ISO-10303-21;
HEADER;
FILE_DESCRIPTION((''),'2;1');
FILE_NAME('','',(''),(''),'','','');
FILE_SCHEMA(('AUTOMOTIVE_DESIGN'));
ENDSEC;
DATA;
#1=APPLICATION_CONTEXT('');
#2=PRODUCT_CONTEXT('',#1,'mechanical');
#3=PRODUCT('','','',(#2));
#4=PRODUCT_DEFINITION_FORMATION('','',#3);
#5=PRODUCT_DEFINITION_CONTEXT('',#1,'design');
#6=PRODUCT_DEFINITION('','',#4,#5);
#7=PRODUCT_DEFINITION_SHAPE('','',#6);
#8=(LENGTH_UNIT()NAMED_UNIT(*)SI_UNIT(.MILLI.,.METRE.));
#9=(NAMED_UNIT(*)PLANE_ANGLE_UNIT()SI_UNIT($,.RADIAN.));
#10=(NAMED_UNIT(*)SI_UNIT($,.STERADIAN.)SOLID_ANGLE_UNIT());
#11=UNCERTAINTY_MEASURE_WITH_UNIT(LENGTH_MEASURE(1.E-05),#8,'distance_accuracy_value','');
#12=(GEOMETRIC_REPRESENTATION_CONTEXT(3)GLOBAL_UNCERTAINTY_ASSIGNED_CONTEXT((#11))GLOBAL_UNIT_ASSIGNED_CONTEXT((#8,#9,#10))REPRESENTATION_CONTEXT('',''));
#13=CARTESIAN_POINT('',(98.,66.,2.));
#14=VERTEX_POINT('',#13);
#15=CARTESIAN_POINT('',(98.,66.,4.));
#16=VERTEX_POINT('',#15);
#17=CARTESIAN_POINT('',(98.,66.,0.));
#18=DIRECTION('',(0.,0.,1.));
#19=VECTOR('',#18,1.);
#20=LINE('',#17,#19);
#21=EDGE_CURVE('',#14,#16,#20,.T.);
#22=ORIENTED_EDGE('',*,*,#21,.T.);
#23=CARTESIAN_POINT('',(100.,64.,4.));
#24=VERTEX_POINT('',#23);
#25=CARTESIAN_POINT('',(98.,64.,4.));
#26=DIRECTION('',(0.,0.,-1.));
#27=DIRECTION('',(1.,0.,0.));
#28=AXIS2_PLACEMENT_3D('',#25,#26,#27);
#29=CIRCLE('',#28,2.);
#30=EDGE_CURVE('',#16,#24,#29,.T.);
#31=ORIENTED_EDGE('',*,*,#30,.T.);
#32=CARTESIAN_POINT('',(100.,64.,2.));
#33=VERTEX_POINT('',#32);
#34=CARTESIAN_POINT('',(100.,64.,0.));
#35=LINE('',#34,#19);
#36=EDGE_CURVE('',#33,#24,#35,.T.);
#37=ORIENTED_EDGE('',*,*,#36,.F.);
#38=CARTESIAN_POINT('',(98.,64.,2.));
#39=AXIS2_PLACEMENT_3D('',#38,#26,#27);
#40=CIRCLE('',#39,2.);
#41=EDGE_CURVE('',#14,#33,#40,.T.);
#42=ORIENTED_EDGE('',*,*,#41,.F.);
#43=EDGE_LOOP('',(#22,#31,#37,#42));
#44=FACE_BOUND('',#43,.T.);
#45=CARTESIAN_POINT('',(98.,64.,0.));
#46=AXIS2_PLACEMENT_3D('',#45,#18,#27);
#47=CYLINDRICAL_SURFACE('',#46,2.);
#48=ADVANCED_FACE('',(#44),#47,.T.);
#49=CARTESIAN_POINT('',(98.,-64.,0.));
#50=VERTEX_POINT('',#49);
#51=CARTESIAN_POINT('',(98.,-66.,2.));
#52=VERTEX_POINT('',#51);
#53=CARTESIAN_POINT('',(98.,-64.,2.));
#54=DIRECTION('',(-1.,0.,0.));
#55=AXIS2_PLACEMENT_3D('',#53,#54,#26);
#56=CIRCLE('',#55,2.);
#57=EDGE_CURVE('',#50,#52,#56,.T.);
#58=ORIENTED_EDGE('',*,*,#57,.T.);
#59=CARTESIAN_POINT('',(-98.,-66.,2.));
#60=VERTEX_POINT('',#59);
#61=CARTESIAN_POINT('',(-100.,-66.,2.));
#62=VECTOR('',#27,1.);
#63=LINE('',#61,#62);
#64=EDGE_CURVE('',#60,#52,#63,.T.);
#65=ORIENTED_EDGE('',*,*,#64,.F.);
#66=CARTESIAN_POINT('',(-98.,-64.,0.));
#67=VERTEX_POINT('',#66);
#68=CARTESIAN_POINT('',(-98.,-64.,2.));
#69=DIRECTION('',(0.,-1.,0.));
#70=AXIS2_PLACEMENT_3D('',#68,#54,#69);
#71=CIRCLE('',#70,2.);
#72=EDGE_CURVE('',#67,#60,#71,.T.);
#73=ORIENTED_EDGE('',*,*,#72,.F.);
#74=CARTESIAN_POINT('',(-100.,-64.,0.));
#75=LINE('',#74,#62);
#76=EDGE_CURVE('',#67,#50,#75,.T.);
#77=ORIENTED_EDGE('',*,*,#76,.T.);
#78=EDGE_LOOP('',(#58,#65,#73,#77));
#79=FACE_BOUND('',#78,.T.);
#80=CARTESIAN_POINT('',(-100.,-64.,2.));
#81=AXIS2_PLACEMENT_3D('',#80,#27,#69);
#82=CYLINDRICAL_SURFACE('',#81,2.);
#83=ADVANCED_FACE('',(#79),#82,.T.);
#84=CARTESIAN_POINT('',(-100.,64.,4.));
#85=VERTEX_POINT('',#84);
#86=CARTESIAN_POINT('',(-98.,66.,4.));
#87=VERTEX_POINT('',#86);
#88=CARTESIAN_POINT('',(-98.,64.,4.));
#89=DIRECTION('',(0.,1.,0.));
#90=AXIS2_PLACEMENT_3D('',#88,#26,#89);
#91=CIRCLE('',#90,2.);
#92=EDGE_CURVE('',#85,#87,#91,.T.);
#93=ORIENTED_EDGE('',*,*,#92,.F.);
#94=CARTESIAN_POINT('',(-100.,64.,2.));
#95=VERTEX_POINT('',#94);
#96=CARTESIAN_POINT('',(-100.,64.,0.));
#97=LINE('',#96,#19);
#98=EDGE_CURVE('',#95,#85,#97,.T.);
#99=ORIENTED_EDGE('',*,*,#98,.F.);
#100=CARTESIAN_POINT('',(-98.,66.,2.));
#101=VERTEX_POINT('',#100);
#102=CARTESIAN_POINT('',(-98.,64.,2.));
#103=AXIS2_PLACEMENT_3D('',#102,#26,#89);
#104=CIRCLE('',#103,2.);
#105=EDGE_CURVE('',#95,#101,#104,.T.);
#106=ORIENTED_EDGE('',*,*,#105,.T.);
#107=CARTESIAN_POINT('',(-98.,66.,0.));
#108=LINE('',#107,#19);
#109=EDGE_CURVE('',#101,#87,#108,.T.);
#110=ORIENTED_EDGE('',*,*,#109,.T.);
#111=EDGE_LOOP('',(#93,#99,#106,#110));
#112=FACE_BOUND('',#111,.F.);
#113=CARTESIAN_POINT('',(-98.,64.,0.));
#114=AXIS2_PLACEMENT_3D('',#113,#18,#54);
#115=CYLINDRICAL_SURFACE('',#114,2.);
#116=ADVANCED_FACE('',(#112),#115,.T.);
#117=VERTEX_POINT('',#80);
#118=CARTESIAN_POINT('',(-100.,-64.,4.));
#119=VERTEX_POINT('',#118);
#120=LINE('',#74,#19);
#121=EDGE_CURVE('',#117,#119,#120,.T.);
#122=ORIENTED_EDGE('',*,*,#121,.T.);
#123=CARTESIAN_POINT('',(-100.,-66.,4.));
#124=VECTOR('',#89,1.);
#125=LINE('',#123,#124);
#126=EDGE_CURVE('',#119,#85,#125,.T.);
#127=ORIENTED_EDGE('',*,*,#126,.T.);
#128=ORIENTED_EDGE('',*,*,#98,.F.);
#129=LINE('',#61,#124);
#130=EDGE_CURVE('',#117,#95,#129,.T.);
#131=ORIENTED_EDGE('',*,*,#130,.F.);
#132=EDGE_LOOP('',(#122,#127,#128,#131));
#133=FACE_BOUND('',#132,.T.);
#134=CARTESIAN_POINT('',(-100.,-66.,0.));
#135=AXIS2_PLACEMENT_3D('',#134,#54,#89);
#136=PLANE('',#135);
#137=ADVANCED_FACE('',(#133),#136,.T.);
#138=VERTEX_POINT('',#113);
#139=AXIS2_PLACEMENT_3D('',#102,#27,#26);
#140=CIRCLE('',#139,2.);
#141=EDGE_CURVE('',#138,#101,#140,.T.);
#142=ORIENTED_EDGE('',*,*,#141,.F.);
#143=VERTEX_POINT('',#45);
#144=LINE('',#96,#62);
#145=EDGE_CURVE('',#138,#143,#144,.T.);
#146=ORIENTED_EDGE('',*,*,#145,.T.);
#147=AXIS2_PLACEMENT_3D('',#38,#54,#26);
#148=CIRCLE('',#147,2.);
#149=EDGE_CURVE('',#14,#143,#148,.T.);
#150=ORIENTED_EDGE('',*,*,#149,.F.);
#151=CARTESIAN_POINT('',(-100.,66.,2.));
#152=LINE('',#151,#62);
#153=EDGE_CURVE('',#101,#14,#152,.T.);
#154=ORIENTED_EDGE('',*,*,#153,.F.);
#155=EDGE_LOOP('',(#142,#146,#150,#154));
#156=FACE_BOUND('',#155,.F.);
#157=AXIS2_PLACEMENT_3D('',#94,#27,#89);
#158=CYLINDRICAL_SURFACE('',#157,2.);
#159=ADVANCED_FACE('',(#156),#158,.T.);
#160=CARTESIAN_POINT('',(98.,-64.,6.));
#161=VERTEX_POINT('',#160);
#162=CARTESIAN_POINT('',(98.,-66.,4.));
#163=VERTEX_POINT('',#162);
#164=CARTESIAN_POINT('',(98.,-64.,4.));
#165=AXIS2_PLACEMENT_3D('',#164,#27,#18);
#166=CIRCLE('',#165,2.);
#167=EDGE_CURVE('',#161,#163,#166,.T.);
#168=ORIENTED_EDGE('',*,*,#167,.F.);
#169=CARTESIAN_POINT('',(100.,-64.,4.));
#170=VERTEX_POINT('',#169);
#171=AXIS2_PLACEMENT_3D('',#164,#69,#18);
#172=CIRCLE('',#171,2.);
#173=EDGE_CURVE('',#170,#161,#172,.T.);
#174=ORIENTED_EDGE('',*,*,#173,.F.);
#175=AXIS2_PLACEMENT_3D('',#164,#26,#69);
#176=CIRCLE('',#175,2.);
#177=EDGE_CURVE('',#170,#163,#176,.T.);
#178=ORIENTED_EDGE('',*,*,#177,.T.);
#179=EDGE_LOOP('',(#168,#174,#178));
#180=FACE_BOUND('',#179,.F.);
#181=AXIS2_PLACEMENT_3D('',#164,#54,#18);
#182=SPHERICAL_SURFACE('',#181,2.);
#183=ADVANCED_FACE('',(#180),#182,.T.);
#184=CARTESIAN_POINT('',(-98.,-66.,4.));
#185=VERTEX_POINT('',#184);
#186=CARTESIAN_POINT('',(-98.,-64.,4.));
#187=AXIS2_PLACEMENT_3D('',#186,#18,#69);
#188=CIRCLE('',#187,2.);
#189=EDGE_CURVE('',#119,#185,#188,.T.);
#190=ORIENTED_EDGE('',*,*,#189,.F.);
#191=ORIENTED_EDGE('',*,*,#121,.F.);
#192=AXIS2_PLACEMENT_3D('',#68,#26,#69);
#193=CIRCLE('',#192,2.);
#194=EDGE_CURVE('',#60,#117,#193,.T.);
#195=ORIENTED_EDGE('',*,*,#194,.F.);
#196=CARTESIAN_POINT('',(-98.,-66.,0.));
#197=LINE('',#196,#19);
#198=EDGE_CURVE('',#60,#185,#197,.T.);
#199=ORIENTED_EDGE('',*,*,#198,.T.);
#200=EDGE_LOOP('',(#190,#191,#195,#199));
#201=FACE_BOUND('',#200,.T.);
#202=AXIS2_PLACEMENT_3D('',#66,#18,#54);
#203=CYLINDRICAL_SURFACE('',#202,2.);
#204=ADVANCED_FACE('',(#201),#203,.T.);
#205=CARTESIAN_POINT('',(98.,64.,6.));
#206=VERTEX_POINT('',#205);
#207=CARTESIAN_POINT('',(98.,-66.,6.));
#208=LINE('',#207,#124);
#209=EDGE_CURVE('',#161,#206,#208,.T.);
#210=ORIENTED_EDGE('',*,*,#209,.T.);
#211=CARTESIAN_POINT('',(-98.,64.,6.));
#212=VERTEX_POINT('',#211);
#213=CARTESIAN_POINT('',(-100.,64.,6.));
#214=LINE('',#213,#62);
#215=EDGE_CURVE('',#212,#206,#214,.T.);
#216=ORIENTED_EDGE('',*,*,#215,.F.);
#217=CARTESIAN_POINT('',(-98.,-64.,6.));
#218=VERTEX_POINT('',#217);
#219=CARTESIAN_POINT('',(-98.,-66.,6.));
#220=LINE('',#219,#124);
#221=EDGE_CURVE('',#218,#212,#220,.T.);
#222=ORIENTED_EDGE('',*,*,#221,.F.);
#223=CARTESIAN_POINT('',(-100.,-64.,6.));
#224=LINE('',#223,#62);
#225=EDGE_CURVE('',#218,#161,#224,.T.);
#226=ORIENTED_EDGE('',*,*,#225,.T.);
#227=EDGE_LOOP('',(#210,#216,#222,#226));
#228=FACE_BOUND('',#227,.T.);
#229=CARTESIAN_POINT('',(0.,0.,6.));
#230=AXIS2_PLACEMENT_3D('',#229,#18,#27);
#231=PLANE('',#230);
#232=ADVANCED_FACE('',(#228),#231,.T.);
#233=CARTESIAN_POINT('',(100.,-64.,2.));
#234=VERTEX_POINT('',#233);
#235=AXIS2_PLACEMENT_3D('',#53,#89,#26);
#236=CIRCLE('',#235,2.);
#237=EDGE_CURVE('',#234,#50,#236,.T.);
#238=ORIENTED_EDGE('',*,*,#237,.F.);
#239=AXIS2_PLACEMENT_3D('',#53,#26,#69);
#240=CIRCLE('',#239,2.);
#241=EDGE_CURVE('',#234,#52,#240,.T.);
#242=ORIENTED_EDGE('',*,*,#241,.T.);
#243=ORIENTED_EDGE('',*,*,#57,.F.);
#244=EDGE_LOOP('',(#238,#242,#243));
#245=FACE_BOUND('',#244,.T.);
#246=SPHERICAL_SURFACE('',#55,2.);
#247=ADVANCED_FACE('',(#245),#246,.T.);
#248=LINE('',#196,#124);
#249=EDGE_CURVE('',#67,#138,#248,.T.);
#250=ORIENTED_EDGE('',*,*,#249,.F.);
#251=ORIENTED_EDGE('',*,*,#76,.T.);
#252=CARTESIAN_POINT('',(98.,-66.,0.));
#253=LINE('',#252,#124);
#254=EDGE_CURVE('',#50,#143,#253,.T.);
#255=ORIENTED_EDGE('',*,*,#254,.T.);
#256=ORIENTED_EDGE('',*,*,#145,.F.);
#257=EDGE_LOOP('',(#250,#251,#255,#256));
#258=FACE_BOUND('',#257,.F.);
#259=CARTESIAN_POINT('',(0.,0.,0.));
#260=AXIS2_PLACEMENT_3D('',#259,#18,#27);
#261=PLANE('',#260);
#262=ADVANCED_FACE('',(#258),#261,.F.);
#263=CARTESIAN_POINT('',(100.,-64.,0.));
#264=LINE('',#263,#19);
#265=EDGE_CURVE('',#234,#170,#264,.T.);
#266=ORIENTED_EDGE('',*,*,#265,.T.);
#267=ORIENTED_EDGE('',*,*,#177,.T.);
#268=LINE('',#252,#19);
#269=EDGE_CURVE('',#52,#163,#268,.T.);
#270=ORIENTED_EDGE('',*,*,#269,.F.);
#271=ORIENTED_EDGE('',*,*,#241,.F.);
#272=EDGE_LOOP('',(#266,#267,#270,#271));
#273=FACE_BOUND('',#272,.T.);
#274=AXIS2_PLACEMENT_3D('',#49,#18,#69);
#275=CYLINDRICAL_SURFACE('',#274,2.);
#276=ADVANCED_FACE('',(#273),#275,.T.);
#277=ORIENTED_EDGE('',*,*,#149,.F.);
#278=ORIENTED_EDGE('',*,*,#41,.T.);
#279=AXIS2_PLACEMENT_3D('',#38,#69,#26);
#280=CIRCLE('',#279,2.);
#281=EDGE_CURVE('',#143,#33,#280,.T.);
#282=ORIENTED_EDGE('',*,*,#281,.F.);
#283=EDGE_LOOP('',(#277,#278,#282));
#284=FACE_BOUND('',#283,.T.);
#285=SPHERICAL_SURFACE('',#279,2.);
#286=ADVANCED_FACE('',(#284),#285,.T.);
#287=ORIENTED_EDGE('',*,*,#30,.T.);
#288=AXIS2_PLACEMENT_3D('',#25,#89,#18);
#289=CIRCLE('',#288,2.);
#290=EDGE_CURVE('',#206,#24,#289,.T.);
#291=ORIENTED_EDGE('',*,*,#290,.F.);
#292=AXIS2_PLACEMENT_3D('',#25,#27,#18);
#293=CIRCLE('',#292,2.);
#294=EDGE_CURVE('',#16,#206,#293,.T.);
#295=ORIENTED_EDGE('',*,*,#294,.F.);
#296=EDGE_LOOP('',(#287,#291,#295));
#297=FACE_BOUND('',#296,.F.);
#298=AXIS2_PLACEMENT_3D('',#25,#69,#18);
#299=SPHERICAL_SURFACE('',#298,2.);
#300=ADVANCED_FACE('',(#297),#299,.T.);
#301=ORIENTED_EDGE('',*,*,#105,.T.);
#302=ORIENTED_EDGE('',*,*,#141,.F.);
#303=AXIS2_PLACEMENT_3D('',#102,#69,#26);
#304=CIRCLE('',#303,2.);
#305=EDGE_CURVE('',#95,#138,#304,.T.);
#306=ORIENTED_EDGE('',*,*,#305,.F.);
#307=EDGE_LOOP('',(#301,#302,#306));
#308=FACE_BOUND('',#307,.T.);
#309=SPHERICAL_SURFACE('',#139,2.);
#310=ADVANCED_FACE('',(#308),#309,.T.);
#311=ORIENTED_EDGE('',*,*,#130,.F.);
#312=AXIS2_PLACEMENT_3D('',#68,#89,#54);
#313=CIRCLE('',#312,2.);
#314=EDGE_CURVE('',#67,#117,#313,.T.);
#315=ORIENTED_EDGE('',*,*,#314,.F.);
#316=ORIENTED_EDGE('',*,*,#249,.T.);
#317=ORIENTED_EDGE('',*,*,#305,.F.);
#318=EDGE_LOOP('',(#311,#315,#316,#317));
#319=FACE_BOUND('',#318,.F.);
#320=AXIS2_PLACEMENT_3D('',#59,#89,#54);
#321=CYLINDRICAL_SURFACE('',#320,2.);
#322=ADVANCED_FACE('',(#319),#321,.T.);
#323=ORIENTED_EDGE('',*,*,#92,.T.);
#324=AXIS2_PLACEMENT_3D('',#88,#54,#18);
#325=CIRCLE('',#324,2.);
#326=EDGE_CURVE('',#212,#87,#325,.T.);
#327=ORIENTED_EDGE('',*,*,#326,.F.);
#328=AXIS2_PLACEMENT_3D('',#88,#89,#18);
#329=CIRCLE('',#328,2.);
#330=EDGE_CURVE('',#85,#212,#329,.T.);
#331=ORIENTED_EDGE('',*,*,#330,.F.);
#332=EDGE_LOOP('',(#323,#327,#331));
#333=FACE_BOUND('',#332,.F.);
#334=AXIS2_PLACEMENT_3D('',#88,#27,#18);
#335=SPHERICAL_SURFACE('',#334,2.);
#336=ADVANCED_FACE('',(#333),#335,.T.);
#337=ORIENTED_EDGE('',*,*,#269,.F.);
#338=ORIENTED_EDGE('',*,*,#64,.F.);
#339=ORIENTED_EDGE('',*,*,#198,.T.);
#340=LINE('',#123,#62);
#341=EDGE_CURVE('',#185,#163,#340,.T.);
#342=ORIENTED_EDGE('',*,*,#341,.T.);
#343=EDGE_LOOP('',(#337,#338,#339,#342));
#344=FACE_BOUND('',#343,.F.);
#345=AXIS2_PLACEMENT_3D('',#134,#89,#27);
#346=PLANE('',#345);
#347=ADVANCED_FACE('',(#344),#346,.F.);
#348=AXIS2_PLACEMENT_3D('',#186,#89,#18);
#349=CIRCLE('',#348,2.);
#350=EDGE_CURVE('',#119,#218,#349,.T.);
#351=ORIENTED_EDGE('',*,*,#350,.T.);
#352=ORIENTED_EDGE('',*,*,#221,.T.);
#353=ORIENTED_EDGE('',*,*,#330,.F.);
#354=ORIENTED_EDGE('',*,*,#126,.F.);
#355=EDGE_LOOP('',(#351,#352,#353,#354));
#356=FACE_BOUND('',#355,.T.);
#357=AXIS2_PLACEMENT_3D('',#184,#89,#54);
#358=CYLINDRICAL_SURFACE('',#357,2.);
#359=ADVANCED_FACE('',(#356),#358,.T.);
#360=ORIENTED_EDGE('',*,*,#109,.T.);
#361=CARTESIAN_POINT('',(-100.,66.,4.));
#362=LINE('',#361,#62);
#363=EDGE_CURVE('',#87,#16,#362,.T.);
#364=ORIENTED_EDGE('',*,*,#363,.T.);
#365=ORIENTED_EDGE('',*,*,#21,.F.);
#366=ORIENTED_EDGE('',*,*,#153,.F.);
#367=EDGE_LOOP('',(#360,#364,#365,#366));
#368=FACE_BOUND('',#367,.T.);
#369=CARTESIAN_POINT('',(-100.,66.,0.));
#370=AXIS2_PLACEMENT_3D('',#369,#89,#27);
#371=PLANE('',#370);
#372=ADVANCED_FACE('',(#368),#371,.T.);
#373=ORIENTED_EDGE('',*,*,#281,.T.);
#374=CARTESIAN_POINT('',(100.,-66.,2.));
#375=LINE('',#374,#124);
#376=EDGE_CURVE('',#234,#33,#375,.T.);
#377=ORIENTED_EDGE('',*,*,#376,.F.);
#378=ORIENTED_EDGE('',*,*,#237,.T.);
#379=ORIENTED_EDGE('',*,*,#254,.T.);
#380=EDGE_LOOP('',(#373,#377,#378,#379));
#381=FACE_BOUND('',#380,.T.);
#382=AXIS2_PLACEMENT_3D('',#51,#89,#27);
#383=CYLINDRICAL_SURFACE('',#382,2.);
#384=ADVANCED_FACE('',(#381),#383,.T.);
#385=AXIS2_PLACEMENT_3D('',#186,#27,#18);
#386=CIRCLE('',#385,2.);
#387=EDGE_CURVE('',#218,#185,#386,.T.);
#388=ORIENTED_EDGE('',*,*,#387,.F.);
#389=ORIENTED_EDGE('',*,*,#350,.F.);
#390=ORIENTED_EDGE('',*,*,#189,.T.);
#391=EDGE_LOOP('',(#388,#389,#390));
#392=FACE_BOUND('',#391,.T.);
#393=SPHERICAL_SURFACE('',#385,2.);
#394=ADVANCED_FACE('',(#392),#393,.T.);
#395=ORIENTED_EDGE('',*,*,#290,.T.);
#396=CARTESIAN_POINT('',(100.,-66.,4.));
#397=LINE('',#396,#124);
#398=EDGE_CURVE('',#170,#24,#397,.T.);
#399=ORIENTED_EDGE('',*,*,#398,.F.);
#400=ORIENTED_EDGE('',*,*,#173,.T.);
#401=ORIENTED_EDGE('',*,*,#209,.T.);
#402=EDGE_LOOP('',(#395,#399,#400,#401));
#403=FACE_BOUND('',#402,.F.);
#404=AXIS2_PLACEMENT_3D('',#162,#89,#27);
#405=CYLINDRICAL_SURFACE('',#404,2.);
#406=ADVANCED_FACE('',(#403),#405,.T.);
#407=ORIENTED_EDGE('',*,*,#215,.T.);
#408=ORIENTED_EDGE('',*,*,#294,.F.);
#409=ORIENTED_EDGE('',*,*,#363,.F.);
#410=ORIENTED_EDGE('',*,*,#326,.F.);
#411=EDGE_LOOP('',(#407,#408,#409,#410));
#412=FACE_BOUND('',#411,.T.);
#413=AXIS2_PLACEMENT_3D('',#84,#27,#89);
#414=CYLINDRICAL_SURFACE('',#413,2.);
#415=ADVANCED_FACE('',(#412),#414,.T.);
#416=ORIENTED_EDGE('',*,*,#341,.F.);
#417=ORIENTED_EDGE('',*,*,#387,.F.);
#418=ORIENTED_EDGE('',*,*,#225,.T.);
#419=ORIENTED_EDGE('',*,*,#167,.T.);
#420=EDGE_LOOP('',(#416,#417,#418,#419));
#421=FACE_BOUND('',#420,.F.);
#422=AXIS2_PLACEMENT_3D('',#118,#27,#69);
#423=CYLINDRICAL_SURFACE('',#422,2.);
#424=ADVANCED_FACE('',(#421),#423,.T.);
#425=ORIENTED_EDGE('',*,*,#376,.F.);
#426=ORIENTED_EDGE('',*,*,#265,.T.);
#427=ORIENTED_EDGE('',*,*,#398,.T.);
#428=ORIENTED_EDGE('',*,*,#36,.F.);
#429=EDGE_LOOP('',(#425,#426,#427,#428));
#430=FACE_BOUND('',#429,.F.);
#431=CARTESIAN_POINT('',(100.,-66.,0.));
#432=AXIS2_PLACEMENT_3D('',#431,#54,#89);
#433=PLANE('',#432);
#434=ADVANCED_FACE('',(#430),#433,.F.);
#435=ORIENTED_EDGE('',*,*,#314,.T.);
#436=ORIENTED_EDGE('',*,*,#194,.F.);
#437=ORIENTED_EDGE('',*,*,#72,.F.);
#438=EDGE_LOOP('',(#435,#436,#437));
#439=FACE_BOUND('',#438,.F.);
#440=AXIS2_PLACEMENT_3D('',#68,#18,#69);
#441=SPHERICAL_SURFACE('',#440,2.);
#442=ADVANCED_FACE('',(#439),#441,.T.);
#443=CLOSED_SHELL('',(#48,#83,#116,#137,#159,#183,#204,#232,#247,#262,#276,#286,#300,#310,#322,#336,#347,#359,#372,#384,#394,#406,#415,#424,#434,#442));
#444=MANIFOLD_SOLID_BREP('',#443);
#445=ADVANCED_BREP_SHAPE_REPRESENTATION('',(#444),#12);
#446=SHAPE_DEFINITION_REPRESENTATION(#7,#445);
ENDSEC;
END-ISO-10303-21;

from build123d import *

# Parameters (mm, degrees)
F1_W     = 200
F1_H     = 132
F2_DEPTH = 6
F3_R     = 2


with BuildPart() as f2:
    # F1 (on face) → F2 (new body)
    with BuildSketch(Plane.XY):
        Rectangle(F1_W, F1_H)
    extrude(amount=F2_DEPTH)

    # F3
    f3_edges = [f2.edges().sort_by_distance(p)[0] for p in [
        (0, -66, 6),
        (100, 0, 6),
        (0, 66, 6),
        (-100, 0, 6),
        (-100, -66, 3),
        (0, -66, 0),
        (100, 0, 0),
        (0, 66, 0),
        (-100, 0, 0),
        (100, -66, 3),
        (100, 66, 3),
        (-100, 66, 3),
    ]]
    fillet(f3_edges, radius=F3_R)


solid = f2.part
